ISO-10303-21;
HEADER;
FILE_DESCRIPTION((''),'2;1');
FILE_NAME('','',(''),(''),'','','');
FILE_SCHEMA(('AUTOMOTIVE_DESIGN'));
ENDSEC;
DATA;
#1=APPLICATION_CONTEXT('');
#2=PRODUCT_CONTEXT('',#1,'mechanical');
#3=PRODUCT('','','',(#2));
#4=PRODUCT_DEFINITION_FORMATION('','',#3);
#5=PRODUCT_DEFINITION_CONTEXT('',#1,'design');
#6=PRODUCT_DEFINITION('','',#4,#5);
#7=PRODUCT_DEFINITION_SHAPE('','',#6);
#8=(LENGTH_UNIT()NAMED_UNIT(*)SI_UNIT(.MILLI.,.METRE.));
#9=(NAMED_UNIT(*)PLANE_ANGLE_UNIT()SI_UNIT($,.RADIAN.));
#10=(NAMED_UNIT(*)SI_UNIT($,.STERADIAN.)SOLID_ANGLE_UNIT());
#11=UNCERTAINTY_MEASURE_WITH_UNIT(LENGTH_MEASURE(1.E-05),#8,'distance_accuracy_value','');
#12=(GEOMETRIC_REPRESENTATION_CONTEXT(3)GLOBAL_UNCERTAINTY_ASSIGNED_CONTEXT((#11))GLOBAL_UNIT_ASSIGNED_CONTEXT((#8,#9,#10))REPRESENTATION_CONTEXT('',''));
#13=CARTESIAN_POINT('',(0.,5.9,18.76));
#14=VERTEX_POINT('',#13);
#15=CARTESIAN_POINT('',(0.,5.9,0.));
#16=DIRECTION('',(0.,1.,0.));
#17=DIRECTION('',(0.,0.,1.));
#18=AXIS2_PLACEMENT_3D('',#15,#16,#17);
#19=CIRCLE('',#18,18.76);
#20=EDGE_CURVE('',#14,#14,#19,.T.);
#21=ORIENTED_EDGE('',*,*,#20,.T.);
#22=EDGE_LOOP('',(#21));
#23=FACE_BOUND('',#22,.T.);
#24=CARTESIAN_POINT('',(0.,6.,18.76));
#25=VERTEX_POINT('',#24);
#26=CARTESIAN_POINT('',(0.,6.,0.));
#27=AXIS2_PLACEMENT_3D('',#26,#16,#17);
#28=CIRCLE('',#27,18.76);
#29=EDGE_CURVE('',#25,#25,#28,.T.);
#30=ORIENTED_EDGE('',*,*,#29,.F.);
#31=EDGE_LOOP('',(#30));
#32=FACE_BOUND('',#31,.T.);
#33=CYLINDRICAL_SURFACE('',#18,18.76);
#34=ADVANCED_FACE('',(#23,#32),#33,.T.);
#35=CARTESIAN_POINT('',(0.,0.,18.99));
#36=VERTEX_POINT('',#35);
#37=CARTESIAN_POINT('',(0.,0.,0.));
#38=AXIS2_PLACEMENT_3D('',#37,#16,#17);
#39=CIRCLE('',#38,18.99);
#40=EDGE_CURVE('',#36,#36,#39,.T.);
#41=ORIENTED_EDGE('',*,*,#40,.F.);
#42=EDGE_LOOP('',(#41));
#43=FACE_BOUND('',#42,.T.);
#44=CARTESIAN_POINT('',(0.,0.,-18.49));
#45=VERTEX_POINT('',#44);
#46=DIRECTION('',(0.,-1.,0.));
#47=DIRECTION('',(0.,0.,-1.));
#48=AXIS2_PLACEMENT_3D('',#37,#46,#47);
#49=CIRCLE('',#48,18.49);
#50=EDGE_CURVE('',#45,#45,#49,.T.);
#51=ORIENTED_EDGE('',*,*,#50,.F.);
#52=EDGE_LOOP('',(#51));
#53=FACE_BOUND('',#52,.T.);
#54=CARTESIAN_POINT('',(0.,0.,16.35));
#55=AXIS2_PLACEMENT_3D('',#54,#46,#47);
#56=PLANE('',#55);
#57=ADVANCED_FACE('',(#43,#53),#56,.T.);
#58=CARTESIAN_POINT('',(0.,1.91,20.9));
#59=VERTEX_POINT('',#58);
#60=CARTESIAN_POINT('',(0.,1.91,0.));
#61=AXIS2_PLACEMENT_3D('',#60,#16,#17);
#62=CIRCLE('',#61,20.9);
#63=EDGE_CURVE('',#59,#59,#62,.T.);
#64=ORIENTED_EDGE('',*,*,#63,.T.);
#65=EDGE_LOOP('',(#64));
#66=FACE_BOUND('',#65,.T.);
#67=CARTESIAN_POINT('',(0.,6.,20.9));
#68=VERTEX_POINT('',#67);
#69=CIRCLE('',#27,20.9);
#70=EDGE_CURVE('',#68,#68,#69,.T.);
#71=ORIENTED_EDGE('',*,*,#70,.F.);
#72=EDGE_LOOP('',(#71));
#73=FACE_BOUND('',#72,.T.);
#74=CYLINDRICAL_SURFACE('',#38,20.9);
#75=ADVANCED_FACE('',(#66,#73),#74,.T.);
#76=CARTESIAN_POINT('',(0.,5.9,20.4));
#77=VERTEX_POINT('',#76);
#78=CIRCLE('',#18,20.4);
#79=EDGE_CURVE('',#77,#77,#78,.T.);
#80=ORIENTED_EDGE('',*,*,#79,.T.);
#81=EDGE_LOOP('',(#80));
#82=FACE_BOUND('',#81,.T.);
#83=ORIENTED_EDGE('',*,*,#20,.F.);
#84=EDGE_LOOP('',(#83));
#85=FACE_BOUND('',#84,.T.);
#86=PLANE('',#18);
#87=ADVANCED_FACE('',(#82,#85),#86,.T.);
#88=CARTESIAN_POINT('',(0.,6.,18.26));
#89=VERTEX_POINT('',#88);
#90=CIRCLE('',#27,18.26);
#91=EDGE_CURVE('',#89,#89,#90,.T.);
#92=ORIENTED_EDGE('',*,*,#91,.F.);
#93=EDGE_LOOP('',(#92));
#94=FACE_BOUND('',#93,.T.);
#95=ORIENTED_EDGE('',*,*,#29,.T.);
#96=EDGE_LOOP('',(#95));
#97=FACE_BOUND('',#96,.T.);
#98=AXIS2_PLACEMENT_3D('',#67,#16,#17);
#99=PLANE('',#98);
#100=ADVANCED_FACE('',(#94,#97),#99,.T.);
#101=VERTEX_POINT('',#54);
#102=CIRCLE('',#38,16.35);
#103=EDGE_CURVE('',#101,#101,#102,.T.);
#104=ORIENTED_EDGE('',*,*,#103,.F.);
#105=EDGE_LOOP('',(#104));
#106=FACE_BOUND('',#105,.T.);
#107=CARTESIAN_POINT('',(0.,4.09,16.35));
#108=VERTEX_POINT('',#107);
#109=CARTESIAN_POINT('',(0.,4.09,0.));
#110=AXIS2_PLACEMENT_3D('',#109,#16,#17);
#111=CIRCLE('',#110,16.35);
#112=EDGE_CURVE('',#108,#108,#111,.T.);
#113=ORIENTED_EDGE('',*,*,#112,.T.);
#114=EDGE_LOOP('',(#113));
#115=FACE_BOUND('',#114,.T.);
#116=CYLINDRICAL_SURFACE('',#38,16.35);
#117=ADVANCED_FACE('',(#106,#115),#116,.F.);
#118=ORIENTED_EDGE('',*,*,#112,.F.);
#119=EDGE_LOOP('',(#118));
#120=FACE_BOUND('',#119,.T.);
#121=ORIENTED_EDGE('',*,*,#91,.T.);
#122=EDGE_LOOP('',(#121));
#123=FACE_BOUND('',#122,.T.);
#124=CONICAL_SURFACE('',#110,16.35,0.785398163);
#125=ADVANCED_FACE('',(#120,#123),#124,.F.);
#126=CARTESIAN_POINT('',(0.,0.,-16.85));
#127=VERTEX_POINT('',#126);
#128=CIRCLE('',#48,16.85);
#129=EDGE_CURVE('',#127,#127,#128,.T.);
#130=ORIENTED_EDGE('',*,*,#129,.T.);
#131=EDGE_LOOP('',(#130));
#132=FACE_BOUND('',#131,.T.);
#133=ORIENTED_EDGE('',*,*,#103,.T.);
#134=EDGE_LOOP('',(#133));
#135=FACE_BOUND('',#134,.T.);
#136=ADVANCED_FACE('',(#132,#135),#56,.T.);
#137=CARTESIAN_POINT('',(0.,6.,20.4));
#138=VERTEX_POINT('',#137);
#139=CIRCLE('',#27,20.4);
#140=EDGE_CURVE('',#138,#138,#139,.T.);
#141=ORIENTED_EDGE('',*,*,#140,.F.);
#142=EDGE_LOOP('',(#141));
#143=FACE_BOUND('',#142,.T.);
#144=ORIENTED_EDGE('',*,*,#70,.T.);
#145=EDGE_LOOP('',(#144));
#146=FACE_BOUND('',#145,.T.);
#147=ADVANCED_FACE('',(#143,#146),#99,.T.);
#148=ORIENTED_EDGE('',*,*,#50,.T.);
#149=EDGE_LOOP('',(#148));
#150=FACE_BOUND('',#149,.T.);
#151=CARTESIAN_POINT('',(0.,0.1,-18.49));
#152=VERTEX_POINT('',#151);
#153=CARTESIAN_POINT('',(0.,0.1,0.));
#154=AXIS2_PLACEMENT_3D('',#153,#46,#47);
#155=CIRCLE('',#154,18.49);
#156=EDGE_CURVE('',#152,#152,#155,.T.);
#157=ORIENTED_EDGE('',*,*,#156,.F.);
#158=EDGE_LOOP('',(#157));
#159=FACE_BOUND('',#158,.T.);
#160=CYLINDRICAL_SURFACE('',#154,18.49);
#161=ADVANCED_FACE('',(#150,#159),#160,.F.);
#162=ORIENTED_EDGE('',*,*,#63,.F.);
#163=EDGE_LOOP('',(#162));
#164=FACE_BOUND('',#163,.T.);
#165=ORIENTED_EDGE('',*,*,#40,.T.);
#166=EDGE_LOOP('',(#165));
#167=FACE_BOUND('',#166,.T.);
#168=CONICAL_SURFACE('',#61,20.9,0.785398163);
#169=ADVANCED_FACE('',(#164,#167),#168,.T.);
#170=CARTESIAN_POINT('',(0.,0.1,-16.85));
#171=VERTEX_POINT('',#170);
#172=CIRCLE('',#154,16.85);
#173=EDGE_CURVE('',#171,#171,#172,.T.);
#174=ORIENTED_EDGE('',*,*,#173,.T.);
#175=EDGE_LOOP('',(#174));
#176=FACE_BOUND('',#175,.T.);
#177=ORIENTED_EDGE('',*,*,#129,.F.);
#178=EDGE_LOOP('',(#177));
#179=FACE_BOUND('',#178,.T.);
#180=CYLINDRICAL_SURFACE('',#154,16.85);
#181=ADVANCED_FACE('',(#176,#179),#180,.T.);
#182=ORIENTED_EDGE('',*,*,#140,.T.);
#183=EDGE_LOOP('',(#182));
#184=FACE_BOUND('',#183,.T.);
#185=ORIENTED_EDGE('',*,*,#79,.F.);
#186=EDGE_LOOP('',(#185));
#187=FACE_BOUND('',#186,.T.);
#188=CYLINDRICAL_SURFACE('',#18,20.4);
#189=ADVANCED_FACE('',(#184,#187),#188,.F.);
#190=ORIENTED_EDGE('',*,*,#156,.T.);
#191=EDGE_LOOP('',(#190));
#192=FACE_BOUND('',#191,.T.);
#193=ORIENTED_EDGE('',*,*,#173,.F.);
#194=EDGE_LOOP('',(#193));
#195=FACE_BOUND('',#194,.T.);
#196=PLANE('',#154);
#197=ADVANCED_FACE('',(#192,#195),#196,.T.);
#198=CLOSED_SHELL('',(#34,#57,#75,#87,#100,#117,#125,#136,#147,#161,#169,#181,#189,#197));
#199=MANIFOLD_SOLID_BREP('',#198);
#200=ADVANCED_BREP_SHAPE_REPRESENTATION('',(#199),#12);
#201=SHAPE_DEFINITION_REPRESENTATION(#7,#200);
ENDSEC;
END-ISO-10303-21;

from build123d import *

# Parameters (mm, degrees)
SKETCH_3_R          = 20.4
SKETCH_3_R_2        = 18.76
CUT_EXTRUDE_1_DEPTH = 0.1
SKETCH_4_R          = 18.49
SKETCH_4_R_2        = 16.85
CUT_EXTRUDE_2_DEPTH = 0.1


with BuildPart() as part:
    # 草图2 → 旋转1 (revolve)
    with BuildSketch(Plane(origin=(0, 0, 0), x_dir=(0, 0, -1), z_dir=(1, 0, 0))):
        Polygon((-20.9, 1.91), (-20.9, 6), (-18.26, 6), (-16.35, 4.09), (-16.35, 0), (-18.99, 0), align=None)
    revolve(axis=Axis((0, 0, 0), (0, -1, 0)))

    # 草图3 → 切除-拉伸1 (cut)
    with BuildSketch(Plane(origin=(0, 6, 0), x_dir=(1, 0, 0), z_dir=(0, 1, 0))):
        with Locations(Location((0, 0, 0), (0, 0, 270))):
            Circle(SKETCH_3_R)
        with Locations(Location((0, 0, 0), (0, 0, 270))):
            Circle(SKETCH_3_R_2, mode=Mode.SUBTRACT)
    extrude(amount=-CUT_EXTRUDE_1_DEPTH, mode=Mode.SUBTRACT)

    # 草图4 → 切除-拉伸2 (cut)
    with BuildSketch(Plane.XZ):
        with Locations(Location((0, 0, 0), (0, 0, 270))):
            Circle(SKETCH_4_R)
        with Locations(Location((0, 0, 0), (0, 0, 270))):
            Circle(SKETCH_4_R_2, mode=Mode.SUBTRACT)
    extrude(amount=-CUT_EXTRUDE_2_DEPTH, mode=Mode.SUBTRACT)


solid = part.part
